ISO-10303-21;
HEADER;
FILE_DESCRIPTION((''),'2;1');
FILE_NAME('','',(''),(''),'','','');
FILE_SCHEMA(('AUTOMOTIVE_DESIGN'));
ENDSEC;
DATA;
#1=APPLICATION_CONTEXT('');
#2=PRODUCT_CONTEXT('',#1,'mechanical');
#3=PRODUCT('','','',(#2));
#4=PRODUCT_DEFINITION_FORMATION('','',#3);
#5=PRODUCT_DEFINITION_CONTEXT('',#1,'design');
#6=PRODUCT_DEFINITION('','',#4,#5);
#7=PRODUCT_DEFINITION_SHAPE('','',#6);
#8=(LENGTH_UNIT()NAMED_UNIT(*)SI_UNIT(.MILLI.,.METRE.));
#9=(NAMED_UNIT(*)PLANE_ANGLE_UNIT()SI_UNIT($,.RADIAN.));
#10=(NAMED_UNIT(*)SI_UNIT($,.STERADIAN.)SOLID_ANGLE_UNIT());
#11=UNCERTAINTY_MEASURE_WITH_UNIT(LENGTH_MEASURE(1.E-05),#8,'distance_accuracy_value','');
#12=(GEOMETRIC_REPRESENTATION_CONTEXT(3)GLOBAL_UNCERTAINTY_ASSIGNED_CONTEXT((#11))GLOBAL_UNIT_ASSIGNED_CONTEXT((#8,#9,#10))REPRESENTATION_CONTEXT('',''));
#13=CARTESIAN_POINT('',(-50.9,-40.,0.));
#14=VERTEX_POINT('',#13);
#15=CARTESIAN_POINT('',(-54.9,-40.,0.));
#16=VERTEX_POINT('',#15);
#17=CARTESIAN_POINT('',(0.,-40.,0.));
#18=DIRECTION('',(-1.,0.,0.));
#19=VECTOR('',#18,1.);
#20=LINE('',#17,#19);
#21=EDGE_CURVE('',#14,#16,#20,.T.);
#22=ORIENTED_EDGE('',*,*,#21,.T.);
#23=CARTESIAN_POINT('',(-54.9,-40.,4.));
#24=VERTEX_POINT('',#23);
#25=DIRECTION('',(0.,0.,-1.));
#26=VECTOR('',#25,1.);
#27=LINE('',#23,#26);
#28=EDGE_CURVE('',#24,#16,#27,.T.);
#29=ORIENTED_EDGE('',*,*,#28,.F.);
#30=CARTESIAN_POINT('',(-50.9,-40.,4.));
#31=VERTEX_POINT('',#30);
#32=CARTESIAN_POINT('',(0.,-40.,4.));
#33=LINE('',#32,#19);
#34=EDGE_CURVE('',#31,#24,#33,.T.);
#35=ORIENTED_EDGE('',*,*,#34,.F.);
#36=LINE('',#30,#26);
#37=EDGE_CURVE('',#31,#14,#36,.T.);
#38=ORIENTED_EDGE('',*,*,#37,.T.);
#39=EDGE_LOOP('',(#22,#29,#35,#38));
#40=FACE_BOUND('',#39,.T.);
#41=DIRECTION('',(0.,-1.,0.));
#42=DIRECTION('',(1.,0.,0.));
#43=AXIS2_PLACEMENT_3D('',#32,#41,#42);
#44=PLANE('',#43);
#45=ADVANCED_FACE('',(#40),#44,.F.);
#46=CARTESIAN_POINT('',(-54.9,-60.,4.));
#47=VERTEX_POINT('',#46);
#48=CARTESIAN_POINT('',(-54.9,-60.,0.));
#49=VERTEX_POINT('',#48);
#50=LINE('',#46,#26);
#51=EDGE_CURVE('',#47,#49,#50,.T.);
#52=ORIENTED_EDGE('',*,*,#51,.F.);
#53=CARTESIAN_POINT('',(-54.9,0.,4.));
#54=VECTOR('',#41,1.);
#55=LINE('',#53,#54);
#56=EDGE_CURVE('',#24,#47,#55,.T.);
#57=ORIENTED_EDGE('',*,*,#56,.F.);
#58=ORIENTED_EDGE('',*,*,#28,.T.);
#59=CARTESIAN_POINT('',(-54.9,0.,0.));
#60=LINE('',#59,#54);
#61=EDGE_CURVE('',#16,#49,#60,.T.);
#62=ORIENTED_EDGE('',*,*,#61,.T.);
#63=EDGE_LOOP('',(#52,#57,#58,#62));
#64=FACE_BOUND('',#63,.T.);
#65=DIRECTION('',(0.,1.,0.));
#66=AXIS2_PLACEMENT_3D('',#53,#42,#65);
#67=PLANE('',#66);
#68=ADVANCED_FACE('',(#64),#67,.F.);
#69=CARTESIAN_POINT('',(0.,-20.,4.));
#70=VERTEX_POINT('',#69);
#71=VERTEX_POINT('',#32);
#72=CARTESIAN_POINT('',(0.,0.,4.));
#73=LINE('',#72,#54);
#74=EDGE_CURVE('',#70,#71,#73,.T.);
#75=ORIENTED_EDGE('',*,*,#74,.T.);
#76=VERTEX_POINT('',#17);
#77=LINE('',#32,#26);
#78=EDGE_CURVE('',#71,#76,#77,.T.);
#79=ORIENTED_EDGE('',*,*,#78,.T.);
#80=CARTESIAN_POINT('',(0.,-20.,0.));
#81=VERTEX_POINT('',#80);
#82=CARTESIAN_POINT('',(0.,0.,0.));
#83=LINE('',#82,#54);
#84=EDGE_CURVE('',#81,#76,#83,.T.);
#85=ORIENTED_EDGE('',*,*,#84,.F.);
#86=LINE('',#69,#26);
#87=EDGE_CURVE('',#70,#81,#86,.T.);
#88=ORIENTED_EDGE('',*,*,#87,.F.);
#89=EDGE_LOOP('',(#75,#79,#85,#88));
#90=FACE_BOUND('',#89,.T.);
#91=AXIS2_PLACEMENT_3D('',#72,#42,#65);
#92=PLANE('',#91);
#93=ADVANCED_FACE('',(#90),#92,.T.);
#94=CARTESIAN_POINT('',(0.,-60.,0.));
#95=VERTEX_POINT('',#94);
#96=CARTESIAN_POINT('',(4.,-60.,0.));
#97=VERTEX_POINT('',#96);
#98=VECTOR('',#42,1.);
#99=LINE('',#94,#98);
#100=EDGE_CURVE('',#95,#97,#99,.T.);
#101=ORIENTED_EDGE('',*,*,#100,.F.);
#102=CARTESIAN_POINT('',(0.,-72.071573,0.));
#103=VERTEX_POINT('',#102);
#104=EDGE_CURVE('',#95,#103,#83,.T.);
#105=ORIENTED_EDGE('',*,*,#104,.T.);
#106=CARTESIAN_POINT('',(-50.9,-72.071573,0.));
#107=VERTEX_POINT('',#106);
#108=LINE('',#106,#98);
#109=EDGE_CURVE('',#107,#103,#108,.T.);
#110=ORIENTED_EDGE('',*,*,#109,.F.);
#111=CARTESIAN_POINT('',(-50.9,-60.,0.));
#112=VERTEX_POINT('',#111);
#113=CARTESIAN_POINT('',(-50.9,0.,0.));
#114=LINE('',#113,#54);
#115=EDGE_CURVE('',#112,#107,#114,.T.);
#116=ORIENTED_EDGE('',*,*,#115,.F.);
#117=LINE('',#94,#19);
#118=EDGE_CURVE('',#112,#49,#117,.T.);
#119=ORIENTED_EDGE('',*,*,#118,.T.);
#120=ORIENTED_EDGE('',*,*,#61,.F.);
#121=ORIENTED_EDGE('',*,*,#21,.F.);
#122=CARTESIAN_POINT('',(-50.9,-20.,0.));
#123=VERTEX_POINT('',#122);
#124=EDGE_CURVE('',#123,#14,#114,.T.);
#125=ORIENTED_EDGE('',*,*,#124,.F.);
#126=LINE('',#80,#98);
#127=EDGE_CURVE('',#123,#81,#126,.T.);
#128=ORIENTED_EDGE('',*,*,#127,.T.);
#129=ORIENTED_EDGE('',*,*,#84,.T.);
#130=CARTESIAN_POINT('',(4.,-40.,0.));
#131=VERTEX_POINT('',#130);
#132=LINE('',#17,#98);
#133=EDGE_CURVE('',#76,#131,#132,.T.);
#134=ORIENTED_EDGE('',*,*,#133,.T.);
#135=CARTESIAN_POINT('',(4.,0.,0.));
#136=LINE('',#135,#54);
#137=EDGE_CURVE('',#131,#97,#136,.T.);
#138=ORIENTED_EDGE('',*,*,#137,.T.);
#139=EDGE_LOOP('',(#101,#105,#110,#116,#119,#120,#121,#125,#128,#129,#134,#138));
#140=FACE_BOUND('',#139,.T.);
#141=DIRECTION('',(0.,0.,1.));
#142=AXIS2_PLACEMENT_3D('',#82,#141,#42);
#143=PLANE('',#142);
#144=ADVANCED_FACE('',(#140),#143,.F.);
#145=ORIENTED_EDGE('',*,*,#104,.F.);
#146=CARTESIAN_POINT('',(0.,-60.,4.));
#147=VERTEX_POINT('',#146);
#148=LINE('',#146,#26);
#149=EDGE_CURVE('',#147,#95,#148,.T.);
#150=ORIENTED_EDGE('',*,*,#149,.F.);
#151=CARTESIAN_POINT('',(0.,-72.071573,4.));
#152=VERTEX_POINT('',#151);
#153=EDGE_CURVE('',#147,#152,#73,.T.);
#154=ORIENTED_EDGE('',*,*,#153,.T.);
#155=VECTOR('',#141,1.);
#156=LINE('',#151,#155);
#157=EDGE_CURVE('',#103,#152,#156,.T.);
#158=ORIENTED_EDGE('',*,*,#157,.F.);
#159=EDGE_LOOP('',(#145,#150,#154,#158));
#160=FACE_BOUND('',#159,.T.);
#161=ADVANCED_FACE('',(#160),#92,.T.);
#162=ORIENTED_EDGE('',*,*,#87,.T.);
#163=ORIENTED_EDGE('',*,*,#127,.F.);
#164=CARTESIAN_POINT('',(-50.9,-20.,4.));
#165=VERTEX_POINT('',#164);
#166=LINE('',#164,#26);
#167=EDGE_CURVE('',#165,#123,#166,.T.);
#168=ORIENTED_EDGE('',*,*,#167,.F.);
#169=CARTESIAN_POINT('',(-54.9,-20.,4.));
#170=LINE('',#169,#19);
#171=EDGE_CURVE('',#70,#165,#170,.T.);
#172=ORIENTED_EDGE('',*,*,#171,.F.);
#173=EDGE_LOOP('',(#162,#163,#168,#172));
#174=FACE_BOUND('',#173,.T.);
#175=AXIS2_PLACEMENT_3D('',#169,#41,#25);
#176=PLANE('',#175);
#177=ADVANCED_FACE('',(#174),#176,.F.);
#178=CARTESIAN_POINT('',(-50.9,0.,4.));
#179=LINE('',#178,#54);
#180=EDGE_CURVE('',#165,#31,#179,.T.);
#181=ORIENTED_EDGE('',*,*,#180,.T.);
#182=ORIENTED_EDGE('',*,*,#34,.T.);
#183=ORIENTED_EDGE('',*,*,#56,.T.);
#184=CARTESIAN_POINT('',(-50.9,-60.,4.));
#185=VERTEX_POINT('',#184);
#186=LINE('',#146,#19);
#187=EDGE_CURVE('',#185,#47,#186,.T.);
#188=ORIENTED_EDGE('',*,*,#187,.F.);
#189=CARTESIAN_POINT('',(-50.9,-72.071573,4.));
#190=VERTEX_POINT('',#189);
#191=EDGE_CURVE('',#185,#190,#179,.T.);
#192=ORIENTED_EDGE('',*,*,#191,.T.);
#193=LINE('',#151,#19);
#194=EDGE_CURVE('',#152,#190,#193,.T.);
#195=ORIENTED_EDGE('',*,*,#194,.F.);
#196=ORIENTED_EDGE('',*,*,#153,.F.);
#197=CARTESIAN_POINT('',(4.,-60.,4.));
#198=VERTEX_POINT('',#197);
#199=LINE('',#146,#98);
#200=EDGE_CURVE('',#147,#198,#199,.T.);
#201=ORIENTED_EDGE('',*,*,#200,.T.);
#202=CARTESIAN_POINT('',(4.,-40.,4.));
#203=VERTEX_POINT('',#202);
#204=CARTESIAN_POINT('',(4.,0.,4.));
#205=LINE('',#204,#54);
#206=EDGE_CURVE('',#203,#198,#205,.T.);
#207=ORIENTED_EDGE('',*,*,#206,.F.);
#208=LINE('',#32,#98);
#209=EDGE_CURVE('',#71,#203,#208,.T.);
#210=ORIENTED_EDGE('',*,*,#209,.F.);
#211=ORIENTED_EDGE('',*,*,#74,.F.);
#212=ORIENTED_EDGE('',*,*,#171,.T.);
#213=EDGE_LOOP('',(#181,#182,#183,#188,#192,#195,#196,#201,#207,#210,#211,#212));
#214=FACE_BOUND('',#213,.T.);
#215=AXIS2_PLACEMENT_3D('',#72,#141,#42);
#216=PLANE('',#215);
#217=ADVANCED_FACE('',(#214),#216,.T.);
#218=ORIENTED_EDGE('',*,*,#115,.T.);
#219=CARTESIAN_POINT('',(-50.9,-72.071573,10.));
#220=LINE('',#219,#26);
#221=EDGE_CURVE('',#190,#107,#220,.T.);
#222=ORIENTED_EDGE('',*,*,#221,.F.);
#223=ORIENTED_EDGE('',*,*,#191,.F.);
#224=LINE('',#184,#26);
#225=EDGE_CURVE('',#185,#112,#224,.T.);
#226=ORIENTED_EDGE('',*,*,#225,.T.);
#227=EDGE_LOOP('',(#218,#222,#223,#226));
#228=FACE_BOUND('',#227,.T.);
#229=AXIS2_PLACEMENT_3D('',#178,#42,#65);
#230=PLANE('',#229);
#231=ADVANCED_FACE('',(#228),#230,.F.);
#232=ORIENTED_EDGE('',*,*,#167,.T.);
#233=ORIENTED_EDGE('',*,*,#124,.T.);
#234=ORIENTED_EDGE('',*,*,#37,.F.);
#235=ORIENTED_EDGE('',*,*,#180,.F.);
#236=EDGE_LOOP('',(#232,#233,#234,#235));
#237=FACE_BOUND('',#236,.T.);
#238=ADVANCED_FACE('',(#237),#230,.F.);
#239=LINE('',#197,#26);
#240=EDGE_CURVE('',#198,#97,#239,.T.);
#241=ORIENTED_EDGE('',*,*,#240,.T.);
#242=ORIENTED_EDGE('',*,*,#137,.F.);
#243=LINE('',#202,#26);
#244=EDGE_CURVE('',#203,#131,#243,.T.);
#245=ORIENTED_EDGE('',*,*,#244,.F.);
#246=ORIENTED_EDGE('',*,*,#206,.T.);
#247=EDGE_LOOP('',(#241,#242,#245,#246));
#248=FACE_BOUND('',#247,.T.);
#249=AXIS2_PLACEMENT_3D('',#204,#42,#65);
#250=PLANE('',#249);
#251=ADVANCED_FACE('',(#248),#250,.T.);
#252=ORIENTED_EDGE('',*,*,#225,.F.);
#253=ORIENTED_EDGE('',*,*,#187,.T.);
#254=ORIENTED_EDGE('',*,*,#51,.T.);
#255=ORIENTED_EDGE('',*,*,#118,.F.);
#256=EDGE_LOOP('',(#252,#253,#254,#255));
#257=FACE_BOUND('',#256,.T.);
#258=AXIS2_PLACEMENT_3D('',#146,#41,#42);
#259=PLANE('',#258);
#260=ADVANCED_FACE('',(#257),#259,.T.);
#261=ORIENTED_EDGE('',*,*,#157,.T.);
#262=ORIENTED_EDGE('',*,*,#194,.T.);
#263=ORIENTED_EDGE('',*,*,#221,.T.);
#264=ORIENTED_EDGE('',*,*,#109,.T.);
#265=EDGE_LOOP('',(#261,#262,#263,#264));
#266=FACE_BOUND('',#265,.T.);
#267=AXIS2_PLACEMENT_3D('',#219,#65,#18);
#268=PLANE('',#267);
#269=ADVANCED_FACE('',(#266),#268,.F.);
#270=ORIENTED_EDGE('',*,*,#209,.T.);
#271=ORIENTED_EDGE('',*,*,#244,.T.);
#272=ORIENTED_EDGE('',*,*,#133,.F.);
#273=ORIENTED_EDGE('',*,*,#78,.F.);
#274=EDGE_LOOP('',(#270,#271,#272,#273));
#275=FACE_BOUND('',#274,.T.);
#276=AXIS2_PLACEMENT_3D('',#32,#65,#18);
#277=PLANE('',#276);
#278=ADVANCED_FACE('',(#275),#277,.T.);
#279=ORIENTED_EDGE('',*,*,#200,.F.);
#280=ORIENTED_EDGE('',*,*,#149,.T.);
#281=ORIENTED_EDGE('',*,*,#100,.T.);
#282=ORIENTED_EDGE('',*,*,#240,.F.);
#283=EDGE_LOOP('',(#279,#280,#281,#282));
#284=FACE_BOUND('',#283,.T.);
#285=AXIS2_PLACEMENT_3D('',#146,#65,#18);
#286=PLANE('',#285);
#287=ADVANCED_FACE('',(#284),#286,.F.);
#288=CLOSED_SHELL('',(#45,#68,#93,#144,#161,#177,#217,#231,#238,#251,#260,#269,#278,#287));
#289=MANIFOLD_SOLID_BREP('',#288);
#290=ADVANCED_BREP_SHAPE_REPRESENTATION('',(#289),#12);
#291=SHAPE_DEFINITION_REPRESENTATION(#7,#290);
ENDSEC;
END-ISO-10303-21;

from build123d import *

# Parameters (mm, degrees)
SKETCH_1_W          = 4
SKETCH_1_H          = 20
EXTRUDE_1_DEPTH     = 4
SKETCH_2_W          = 70.761600996
SKETCH_2_H          = 28.517073099
CUT_EXTRUDE_1_DEPTH = 4
SKETCH_3_W          = 69.96653911
SKETCH_3_H          = 17
CUT_EXTRUDE_2_DEPTH = 10


with BuildPart() as part:
    # Эскиз1 → Бобышка-Вытянуть1 (new body)
    with BuildSketch(Plane.XY):
        with Locations((-52.9, -10)):
            Rectangle(SKETCH_1_W, SKETCH_1_H)
        with Locations((-52.9, -50)):
            Rectangle(SKETCH_1_W, SKETCH_1_H)
        Polygon((0, -20), (0, 0), (-50.9, 0), (-50.9, -20), (-50.9, -40), (-50.9, -60), (-50.9, -80), (-50.9, -89.071572875), (0, -89.071572875), (0, -60), (0, -40), align=None)
        with Locations((2, -10)):
            Rectangle(SKETCH_1_W, SKETCH_1_H)
        with Locations((2, -50)):
            Rectangle(SKETCH_1_W, SKETCH_1_H)
    extrude(amount=EXTRUDE_1_DEPTH)

    # Эскиз2 → Вырез-Вытянуть1 (cut)
    with BuildSketch(Plane(origin=(0, 0, 0), x_dir=(-1, 0, 0), z_dir=(0, 0, -1))):
        with Locations((19.519199502, -5.74146345)):
            Rectangle(SKETCH_2_W, SKETCH_2_H)
    extrude(amount=-CUT_EXTRUDE_1_DEPTH, mode=Mode.SUBTRACT)

    # Эскиз3 → Вырез-Вытянуть2 (cut)
    with BuildSketch(Plane(origin=(0, 0, 0), x_dir=(-1, 0, 0), z_dir=(0, 0, -1))):
        with Locations((15.916730445, -80.571572875)):
            Rectangle(SKETCH_3_W, SKETCH_3_H)
    extrude(amount=-CUT_EXTRUDE_2_DEPTH, mode=Mode.SUBTRACT)


solid = part.part
